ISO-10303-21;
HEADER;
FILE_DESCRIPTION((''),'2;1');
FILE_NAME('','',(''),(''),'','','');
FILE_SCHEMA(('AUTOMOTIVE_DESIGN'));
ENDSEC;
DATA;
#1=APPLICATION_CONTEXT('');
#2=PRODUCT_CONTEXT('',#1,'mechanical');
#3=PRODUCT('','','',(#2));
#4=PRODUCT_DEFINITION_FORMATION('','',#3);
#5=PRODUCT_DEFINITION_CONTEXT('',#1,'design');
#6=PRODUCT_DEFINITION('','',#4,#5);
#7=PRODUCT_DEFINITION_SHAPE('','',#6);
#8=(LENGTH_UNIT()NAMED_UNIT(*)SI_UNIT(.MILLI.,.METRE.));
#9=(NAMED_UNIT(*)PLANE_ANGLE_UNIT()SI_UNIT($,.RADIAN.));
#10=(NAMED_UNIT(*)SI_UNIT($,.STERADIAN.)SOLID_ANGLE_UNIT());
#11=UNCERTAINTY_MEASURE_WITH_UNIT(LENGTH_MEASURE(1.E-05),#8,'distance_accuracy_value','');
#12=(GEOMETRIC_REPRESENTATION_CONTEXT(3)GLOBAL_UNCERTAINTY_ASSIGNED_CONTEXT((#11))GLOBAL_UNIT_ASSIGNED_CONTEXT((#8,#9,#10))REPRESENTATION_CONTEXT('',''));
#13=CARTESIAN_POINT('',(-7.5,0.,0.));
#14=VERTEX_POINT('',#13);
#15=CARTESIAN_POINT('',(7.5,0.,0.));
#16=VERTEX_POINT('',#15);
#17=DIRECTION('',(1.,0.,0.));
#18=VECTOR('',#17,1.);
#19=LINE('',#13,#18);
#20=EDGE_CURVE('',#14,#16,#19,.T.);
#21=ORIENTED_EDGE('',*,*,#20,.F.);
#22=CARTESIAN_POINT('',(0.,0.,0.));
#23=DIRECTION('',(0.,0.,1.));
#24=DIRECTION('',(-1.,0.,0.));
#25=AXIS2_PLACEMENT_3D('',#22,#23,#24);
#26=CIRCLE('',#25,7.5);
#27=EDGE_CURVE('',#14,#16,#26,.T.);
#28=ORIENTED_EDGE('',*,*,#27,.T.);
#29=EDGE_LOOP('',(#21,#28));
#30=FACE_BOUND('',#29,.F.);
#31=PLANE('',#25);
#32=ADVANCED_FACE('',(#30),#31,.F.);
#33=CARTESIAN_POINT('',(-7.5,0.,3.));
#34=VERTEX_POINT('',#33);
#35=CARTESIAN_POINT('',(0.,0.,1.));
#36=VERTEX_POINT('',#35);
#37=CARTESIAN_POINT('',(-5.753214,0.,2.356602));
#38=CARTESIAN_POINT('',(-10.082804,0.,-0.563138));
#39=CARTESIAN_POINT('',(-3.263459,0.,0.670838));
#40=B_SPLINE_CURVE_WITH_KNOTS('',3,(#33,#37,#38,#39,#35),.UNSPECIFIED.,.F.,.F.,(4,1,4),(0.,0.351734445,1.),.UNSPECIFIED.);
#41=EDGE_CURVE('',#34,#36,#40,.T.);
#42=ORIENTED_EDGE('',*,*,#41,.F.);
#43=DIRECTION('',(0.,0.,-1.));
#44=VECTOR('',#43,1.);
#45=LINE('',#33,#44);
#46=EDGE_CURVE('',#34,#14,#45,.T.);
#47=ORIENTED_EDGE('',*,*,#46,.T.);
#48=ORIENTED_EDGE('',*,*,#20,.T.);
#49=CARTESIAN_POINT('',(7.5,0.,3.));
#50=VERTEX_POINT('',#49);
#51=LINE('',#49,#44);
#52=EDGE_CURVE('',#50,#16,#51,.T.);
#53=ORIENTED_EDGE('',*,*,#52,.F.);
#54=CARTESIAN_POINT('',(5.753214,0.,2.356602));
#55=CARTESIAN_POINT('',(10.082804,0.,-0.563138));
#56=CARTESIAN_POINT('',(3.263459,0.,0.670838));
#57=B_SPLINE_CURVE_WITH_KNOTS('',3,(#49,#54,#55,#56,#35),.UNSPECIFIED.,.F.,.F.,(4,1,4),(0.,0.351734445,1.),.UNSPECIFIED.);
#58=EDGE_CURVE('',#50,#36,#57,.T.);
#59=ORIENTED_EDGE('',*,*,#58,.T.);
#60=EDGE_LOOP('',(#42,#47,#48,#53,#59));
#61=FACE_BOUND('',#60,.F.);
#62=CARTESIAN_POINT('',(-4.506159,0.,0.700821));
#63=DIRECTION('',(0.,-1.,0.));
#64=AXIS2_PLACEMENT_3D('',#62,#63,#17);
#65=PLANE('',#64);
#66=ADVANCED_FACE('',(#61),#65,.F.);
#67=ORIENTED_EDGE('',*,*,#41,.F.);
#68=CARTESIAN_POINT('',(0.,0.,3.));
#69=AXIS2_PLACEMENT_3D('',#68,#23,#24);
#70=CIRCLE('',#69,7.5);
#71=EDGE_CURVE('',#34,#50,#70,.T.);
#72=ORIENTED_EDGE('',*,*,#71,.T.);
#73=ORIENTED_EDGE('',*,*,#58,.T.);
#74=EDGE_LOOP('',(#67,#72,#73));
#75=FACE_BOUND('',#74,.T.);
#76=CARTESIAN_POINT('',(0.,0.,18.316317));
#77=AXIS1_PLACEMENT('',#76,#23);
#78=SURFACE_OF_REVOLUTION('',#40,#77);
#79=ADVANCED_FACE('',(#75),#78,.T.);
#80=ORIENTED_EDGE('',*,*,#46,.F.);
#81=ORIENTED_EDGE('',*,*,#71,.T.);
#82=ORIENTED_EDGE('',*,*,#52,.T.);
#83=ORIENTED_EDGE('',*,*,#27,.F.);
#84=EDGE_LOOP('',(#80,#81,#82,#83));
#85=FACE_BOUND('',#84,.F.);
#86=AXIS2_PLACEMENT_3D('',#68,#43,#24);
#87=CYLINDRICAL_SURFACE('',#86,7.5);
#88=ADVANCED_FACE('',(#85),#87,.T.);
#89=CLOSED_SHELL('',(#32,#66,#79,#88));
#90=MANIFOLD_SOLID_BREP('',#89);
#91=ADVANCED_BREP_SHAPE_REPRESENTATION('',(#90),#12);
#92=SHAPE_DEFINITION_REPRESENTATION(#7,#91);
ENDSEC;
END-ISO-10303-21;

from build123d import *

# Parameters (mm, degrees)
F3_ANGLE = 180


with BuildPart() as f3:
    # F1 (on Front) → F3 (revolve)
    with BuildSketch(Plane.XZ):
        with BuildLine():
            Line((-7.5, 3), (-7.5, 0))
            Line((-7.5, 0), (0, 0))
            Line((0, 0), (0, 1))
            add(Edge.make_bspline(
                [(-7.5, 3), (-5.7532144691, 2.3566017458), (-10.0828036246, -0.5631384648), (-3.2634593693, 0.6708384477), (0, 1)],
                knots=[0, 0, 0, 0, 0.3517344455, 1, 1, 1, 1], degree=3))
        make_face()
    revolve(axis=Axis((0, 0, 18.3163173497), (0, 0, 1)), revolution_arc=F3_ANGLE)


solid = f3.part
